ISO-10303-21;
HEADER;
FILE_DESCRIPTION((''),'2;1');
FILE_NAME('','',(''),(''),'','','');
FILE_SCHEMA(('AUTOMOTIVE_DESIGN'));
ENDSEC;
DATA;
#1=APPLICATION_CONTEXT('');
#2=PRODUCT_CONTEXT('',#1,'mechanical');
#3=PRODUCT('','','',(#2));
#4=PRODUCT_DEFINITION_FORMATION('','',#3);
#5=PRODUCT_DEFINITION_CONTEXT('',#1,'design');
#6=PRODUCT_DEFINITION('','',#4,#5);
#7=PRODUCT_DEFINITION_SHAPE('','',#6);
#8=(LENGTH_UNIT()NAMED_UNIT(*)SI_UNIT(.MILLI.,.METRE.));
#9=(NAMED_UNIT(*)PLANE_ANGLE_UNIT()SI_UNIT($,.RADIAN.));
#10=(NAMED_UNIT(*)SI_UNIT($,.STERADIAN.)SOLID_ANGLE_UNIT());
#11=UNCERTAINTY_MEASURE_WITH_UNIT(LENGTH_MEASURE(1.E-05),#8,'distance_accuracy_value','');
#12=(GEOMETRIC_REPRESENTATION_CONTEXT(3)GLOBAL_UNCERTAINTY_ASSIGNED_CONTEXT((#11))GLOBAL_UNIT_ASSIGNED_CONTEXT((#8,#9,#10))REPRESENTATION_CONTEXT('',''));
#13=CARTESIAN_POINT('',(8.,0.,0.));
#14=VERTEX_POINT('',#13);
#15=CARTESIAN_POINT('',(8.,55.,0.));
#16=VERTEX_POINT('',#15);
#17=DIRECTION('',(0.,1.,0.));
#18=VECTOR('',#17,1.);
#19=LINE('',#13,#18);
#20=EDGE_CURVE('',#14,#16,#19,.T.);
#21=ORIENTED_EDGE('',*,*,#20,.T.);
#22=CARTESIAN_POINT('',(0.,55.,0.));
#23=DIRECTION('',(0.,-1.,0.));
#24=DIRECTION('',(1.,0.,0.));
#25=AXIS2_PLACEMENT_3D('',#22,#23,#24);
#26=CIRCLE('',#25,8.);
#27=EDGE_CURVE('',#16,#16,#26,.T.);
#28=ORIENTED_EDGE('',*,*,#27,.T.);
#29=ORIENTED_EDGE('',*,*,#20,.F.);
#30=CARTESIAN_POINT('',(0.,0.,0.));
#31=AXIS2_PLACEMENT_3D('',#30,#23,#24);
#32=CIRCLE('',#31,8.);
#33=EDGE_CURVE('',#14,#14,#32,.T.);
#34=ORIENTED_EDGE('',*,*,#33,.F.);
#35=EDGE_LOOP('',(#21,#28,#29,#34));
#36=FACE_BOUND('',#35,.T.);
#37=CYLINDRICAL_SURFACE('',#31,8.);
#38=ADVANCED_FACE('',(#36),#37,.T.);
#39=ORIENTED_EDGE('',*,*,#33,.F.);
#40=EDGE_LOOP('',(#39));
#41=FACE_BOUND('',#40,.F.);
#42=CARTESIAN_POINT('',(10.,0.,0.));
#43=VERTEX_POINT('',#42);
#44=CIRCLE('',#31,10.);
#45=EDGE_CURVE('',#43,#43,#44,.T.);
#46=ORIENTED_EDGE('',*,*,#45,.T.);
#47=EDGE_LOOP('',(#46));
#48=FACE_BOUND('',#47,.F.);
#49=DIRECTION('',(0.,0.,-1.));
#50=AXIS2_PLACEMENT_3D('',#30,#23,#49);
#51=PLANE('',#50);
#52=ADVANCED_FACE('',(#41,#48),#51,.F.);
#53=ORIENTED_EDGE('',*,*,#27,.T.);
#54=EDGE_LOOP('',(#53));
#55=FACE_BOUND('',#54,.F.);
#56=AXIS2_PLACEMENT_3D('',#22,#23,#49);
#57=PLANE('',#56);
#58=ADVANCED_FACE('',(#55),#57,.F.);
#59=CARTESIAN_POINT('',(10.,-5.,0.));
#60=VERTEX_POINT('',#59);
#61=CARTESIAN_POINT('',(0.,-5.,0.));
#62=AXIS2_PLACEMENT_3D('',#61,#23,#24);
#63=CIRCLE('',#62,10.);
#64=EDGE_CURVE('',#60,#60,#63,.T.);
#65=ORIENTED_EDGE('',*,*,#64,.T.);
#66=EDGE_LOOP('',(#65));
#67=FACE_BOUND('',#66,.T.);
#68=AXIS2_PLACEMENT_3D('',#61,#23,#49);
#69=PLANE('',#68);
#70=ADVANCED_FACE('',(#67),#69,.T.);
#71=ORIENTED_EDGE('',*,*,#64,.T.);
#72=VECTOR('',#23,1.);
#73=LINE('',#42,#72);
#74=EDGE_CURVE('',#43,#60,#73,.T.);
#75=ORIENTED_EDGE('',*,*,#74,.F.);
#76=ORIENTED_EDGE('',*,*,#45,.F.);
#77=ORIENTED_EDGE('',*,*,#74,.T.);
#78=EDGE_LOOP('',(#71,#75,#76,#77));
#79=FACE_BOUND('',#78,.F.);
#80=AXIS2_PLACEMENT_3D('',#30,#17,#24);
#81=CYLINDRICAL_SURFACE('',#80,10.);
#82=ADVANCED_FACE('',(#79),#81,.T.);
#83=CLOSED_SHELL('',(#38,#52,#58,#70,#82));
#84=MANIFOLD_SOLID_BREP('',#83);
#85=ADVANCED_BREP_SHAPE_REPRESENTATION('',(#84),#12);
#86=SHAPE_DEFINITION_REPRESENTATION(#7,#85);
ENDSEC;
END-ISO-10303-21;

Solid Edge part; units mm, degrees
sketch "Sketch1" plane through (0, 0, 0) normal (0, -1, 0) x (1, 0, 0)
  circle A0 centre (0, 0) radius 8
extrude "Protrusion1" add sketch "Sketch1" against normal blind 55
sketch "Sketch2" plane through (0, 0, 0) normal (0, -1, 0) x (1, 0, 0)
  circle A0 centre (0, 0) radius 10
extrude "ExtrudedProtrusion_2" add sketch "Sketch2" along normal blind 5
